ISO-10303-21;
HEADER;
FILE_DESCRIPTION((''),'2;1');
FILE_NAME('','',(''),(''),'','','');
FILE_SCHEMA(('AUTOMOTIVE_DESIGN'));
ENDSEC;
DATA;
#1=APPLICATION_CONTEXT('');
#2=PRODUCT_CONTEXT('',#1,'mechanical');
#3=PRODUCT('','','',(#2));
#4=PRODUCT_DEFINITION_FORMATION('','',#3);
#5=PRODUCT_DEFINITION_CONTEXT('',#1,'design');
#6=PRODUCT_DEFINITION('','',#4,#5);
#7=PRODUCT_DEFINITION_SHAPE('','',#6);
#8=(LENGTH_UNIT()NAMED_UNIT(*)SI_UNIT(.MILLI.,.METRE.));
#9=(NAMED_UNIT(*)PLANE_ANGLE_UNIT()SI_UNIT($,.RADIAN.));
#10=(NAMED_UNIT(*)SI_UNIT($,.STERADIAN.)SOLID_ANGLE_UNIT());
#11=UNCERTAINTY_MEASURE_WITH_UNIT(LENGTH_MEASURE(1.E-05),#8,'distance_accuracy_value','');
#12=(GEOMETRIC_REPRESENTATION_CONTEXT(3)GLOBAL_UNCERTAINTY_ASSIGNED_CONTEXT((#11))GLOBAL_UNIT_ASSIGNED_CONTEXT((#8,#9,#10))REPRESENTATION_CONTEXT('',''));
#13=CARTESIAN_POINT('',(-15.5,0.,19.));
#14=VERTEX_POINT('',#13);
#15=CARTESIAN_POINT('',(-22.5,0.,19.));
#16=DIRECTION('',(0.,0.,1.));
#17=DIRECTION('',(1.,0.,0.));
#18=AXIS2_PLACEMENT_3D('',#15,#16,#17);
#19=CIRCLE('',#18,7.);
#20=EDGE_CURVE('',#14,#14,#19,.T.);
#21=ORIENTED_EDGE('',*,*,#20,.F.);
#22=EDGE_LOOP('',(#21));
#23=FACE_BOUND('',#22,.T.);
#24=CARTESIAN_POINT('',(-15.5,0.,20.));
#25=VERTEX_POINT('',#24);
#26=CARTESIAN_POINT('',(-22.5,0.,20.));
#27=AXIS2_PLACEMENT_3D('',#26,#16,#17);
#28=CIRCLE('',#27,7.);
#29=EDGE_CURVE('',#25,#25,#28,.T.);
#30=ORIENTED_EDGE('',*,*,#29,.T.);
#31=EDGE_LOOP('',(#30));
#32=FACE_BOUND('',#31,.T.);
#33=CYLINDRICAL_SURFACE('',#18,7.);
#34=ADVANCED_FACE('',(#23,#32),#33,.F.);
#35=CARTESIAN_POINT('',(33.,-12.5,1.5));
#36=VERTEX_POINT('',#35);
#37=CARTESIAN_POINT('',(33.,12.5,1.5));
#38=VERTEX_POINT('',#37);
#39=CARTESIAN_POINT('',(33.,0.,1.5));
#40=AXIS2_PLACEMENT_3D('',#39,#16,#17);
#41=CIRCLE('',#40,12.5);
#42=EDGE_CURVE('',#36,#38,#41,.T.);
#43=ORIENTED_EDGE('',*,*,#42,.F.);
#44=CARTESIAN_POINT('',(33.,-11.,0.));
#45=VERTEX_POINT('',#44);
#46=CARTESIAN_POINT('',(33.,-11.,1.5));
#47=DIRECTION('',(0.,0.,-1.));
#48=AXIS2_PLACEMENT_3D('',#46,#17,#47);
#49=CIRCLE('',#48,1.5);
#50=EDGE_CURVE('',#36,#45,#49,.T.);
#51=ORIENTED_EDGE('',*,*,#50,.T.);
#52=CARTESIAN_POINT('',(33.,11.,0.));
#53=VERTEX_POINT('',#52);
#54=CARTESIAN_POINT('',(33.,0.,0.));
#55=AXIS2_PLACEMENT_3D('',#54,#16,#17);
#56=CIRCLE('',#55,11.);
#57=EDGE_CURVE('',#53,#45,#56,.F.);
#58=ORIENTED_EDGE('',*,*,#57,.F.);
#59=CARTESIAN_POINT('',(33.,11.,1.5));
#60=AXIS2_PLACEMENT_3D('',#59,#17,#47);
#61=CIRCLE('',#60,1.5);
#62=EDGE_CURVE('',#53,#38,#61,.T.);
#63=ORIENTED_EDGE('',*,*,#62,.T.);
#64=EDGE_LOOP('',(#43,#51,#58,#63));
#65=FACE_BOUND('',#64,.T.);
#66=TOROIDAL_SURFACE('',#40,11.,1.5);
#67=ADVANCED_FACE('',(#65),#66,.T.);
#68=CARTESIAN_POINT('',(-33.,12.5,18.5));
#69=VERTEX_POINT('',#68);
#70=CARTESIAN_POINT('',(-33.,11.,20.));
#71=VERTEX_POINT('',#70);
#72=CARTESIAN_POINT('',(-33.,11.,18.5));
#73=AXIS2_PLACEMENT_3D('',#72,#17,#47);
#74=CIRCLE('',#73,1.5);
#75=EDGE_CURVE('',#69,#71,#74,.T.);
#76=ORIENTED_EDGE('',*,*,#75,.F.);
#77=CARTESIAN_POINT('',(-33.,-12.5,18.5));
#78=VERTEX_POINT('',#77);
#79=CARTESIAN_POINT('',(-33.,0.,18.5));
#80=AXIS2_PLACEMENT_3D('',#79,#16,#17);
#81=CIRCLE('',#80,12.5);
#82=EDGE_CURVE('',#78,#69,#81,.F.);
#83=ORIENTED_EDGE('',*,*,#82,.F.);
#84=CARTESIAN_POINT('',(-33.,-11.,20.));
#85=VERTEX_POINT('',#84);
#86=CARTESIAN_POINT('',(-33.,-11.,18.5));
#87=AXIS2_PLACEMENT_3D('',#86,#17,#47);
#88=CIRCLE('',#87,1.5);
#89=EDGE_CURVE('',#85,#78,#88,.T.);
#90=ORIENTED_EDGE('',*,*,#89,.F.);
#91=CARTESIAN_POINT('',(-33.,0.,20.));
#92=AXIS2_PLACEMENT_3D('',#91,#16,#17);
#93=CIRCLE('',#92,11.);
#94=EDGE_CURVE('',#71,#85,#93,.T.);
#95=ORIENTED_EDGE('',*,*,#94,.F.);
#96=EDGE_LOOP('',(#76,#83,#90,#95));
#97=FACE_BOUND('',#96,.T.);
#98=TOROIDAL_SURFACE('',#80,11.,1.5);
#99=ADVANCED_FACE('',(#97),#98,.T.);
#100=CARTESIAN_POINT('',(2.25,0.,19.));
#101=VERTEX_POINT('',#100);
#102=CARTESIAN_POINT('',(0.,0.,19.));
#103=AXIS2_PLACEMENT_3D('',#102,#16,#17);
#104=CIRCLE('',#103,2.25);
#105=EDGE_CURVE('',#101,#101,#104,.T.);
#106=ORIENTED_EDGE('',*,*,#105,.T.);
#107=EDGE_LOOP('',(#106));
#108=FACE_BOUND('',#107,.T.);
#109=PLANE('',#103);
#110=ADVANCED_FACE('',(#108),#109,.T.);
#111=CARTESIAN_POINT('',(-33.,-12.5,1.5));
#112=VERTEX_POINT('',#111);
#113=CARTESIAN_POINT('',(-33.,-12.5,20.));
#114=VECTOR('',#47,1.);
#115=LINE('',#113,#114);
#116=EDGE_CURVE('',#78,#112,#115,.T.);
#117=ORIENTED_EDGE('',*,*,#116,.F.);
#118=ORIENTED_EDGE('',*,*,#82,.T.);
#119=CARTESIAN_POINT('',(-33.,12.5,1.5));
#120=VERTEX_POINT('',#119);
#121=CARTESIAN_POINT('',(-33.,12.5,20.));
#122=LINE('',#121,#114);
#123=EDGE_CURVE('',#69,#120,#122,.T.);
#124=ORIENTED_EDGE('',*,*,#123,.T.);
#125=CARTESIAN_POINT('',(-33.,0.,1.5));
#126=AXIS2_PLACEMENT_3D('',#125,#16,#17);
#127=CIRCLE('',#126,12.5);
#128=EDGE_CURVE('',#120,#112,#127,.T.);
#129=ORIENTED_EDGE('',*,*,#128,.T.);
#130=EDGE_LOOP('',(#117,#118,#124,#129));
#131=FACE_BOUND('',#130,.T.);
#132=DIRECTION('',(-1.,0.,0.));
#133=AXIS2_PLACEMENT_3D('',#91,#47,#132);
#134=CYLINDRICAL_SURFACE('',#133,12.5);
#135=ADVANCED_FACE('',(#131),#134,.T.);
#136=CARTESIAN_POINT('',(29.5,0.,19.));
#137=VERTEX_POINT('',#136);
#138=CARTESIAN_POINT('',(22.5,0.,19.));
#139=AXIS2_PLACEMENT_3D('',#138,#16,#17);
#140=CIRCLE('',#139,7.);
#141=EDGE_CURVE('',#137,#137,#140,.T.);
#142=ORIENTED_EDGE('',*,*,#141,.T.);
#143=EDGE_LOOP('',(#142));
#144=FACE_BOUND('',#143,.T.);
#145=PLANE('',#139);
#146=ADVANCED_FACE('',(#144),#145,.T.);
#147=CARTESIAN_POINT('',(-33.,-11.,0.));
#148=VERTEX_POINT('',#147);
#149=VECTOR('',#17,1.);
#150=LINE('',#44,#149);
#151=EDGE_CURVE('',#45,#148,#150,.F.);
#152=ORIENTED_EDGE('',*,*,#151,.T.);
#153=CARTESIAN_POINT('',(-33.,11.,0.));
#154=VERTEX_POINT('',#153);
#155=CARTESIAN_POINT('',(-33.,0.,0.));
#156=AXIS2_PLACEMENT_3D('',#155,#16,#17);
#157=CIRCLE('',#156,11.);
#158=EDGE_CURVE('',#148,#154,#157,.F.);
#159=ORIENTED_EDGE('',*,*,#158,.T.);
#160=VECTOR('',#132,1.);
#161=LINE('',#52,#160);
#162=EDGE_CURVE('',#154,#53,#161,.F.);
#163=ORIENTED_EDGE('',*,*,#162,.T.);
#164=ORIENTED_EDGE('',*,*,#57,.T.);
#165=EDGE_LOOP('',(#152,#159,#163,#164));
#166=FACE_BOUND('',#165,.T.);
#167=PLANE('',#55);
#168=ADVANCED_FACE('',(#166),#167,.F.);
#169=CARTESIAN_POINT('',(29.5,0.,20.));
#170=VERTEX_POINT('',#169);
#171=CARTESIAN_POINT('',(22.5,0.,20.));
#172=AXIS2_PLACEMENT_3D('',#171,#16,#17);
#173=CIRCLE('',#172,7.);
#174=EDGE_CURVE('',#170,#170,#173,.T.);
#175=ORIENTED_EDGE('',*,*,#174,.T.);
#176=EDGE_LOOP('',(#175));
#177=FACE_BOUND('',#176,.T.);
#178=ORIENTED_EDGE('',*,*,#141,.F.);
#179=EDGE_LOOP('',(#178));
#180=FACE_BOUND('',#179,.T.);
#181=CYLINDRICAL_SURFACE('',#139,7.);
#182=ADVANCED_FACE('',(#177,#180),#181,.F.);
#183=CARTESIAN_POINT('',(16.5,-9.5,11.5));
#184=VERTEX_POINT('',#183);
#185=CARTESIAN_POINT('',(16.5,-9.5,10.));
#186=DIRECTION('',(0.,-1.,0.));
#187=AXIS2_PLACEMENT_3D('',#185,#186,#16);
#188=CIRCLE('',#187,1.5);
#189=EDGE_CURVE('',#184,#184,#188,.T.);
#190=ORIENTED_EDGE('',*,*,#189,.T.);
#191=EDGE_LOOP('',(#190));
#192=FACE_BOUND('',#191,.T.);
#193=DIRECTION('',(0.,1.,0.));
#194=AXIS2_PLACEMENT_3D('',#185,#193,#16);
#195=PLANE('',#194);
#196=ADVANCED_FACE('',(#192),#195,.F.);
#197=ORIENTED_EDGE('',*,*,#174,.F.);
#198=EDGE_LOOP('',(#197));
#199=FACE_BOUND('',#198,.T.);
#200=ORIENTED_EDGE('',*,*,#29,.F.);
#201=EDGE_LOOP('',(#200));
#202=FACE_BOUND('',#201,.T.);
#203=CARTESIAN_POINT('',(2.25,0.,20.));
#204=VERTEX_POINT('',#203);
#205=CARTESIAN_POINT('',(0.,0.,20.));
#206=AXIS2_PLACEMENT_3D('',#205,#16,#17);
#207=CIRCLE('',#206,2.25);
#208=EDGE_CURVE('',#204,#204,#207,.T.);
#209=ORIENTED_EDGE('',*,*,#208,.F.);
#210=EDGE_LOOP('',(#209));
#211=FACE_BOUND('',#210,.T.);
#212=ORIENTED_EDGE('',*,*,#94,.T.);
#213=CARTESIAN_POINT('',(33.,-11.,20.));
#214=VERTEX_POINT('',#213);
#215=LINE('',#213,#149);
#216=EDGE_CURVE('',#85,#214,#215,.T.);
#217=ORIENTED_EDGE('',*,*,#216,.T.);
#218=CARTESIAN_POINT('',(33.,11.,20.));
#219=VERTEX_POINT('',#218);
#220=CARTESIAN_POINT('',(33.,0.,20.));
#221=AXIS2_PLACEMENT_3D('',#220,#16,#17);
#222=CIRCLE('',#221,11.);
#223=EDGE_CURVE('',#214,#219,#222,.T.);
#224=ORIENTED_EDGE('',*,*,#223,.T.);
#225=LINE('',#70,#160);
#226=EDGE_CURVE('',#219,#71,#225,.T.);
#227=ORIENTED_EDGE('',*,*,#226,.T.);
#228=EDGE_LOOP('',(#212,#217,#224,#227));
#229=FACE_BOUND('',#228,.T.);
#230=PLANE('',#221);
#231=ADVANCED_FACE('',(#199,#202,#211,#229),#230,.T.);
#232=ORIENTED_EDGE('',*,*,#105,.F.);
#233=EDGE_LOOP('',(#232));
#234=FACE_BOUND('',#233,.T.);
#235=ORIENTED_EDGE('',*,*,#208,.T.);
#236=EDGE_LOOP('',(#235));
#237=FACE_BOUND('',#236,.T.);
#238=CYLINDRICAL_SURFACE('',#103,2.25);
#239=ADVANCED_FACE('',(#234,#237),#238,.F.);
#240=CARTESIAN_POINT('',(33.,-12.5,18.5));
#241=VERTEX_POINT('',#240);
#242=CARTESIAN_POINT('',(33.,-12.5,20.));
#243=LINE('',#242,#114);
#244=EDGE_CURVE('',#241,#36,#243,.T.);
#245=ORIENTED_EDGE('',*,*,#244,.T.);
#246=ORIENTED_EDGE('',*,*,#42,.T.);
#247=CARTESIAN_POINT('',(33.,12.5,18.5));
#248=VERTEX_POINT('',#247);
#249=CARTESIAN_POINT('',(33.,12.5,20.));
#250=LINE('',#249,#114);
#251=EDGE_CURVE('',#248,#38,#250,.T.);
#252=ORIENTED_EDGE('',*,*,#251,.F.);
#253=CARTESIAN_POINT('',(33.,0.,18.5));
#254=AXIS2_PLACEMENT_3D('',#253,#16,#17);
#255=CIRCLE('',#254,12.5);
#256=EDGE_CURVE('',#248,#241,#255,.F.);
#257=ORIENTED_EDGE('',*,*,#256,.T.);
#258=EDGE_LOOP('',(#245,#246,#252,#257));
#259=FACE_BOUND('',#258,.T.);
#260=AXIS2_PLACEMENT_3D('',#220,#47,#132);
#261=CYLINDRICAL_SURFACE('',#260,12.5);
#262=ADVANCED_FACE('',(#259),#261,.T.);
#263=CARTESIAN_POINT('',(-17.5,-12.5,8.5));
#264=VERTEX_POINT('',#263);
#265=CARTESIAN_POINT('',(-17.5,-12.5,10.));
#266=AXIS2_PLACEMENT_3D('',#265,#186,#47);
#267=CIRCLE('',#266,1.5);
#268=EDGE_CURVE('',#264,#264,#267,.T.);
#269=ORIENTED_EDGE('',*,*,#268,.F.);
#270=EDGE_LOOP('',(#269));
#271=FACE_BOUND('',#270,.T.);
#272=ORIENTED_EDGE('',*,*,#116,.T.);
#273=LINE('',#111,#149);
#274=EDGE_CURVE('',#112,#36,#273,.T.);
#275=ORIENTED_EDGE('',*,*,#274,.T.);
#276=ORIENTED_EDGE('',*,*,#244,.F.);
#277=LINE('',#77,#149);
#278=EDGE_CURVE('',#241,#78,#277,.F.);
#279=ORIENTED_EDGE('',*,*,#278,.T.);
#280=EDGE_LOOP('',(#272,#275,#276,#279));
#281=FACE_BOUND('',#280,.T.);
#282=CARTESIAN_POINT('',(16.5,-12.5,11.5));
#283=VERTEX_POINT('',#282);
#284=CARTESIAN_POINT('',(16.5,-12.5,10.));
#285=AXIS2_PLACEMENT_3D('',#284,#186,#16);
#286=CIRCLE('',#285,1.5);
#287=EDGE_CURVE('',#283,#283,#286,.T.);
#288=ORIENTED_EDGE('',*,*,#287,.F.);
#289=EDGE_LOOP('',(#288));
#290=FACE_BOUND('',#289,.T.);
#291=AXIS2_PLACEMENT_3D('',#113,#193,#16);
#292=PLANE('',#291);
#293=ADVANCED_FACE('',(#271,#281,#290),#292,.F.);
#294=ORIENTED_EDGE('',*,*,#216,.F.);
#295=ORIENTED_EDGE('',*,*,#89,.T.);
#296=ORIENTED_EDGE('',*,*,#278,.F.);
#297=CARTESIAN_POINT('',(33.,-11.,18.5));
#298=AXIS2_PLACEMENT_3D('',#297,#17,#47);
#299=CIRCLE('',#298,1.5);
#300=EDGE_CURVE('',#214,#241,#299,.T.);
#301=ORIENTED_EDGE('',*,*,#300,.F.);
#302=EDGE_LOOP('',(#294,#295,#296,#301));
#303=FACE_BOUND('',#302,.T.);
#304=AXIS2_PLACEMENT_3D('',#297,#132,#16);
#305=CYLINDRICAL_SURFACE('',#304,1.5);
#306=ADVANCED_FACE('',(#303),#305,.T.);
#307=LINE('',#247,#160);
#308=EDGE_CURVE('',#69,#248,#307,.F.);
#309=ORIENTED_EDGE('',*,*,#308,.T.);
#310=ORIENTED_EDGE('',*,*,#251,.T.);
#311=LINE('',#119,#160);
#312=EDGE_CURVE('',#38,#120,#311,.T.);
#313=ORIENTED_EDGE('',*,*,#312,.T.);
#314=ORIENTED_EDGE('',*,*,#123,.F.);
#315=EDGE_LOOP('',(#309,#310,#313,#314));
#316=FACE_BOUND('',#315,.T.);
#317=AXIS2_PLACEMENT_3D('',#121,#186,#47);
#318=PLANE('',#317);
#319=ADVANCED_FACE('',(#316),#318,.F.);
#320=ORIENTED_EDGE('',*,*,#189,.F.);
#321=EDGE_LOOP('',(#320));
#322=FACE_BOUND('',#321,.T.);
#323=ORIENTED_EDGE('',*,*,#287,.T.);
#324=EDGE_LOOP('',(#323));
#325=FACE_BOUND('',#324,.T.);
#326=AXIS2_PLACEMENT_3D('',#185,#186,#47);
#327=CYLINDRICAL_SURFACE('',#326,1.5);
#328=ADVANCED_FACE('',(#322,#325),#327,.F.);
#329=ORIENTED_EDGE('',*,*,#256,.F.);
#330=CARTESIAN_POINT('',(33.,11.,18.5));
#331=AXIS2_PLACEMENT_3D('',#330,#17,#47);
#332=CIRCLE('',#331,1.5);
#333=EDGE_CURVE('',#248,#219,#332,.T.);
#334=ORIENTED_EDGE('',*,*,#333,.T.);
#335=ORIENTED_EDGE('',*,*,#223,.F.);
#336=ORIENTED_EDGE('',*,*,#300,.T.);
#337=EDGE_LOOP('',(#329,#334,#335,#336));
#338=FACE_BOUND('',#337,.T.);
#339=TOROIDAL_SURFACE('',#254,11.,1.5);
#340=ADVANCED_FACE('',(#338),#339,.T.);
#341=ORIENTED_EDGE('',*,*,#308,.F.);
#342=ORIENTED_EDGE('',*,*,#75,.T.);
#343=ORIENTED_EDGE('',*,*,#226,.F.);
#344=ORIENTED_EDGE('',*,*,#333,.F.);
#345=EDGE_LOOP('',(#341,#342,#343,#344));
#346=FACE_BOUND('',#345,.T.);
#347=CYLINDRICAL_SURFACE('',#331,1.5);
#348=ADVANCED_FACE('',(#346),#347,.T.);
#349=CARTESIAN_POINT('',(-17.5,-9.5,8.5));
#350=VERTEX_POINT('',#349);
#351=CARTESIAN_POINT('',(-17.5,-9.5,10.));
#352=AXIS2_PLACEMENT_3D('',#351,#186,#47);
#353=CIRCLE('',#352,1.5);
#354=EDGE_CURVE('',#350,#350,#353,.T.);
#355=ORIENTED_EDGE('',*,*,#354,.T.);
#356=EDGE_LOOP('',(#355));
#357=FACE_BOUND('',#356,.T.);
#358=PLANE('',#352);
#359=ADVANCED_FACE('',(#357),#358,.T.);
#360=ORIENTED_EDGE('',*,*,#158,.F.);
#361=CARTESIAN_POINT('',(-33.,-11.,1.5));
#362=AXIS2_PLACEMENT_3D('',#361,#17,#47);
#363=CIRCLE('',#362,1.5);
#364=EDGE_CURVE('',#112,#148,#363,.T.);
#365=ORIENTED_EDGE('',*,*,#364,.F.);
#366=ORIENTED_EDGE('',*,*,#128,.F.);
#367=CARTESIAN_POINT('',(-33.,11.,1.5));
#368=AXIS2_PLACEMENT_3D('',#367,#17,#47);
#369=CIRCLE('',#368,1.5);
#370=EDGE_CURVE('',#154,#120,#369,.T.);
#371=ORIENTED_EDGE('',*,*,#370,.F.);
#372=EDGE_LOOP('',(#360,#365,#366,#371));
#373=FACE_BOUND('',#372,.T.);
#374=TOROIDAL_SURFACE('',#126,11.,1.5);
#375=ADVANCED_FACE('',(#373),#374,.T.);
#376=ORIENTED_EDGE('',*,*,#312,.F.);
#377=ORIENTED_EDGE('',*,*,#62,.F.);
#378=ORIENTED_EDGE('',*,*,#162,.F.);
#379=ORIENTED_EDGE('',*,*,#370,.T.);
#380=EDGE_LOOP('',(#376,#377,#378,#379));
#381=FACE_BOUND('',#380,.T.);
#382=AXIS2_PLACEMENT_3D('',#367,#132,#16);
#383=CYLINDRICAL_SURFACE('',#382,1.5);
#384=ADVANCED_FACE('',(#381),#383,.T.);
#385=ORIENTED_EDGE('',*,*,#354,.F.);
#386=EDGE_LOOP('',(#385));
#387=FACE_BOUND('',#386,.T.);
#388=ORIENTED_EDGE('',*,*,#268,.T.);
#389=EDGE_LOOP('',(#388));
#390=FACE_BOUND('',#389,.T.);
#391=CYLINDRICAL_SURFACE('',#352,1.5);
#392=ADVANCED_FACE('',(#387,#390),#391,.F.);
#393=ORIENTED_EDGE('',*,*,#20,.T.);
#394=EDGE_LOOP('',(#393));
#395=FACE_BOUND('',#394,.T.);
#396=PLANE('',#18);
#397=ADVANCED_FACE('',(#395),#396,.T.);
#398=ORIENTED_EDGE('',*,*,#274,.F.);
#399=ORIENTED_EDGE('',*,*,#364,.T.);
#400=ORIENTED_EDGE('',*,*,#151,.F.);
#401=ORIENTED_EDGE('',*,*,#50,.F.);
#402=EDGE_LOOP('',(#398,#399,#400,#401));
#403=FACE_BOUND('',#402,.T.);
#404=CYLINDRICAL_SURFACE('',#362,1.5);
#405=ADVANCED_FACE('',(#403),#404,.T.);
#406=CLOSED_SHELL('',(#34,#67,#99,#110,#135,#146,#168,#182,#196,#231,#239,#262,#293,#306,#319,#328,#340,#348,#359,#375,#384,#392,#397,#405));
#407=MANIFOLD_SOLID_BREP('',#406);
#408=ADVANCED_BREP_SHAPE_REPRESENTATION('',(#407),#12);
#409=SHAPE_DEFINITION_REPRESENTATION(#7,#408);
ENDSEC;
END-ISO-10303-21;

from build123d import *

# Parameters (mm, degrees)
BOSS_EXTRUDE1_DEPTH = 20
FILLET1_R           = 1.5
SKETCH2_R           = 7
SKETCH2_R_2         = 2.25
CUT_EXTRUDE1_DEPTH  = 1
SKETCH3_R           = 1.5
CUT_EXTRUDE2_DEPTH  = 3


with BuildPart() as part:
    # Sketch1 → Boss-Extrude1 (new body)
    with BuildSketch(Plane.XY):
        with BuildLine():
            Line((-33, 12.5), (33, 12.5))
            ThreePointArc((33, 12.5), (45.5, 0), (33, -12.5))
            Line((33, -12.5), (-33, -12.5))
            ThreePointArc((-33, -12.5), (-45.5, 0), (-33, 12.5))
        make_face()
    extrude(amount=BOSS_EXTRUDE1_DEPTH)

    # Fillet1
    fillet1_edges = [part.edges().sort_by_distance(p)[0] for p in [
        (-45.5, 0, 20),
        (0, -12.5, 20),
        (45.5, 0, 20),
        (0, -12.5, 0),
        (-45.5, 0, 0),
        (0, 12.5, 0),
        (45.5, 0, 0),
        (0, 12.5, 20),
    ]]
    fillet(fillet1_edges, radius=FILLET1_R)

    # Sketch2 → Cut-Extrude1 (cut)
    with BuildSketch(Plane.XY.offset(20)):
        with Locations((-22.5, 0)):
            Circle(SKETCH2_R)
        with Locations((22.5, 0)):
            Circle(SKETCH2_R)
        Circle(SKETCH2_R_2)
    extrude(amount=-CUT_EXTRUDE1_DEPTH, mode=Mode.SUBTRACT)

    # Sketch3 → Cut-Extrude2 (cut)
    with BuildSketch(Plane.XZ.offset(12.5)):
        with Locations(Location((-17.5, 10, 0), (0, 0, 270))):
            Circle(SKETCH3_R)
        with Locations(Location((16.5, 10, 0), (0, 0, 90))):
            Circle(SKETCH3_R)
    extrude(amount=-CUT_EXTRUDE2_DEPTH, mode=Mode.SUBTRACT)


solid = part.part
